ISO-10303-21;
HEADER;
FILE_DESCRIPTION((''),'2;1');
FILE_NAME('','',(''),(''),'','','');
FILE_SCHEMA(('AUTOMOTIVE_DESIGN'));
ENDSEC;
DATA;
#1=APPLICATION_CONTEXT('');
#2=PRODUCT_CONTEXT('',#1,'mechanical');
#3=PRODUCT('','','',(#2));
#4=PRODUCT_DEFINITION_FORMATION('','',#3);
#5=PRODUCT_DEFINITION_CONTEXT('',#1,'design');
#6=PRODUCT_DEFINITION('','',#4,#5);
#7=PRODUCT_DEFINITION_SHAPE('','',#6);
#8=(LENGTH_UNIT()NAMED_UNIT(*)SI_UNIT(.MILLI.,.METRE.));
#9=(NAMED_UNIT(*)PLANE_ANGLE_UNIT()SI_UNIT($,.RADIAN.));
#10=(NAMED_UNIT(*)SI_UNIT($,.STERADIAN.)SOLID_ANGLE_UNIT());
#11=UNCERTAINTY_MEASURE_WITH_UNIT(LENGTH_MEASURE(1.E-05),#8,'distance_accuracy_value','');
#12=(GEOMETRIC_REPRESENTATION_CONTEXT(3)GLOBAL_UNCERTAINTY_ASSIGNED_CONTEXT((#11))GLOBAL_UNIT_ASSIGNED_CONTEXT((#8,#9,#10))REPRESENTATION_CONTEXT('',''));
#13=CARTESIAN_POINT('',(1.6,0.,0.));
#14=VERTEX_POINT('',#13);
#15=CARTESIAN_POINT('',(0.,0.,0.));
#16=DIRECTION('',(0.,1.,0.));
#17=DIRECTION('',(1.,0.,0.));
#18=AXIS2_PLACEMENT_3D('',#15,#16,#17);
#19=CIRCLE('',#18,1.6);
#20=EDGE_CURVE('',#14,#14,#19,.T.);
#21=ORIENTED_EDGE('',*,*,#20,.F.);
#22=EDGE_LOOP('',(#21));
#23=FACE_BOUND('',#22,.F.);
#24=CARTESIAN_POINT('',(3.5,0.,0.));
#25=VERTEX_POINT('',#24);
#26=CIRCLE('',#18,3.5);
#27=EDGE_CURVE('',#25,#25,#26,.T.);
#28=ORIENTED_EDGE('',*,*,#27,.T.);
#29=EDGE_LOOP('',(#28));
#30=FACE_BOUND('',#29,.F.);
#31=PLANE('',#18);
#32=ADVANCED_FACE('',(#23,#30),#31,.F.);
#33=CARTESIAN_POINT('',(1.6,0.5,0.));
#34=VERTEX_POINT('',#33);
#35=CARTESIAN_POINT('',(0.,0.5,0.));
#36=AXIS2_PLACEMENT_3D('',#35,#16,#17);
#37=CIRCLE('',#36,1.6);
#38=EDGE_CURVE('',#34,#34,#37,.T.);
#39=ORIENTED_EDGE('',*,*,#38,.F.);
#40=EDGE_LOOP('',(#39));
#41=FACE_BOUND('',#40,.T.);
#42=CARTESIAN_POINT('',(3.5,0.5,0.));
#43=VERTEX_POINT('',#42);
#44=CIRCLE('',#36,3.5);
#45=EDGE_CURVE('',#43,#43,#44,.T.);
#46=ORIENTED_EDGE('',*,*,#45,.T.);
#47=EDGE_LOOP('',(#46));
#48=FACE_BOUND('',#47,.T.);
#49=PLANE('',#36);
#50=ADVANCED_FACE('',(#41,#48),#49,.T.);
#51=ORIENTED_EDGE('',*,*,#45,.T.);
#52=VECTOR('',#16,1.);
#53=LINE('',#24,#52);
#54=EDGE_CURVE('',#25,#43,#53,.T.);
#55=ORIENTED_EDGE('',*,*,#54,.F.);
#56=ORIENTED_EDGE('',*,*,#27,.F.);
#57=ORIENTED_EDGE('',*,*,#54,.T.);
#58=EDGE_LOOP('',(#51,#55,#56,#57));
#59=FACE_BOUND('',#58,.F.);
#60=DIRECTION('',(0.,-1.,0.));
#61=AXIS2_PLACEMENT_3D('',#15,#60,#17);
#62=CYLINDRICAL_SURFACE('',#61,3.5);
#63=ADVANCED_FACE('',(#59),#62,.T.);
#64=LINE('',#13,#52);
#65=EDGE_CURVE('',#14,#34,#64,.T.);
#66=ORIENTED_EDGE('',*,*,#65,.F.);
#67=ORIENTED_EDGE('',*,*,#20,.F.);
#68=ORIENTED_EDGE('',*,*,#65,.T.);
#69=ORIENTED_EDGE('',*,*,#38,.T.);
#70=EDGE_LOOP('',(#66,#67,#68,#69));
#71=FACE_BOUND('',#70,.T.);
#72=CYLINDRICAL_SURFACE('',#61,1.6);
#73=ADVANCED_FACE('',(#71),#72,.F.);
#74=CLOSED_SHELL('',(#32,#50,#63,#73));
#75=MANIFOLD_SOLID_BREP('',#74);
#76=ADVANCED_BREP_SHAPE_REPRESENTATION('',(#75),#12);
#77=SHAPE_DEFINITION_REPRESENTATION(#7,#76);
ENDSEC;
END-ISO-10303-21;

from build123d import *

# Parameters (mm, degrees)
CROQUIS1_R              = 3.5
CROQUIS1_R_2            = 1.6
SALIENTE_EXTRUIR1_DEPTH = 0.5


with BuildPart() as part:
    # Croquis1 → Saliente-Extruir1 (new body)
    with BuildSketch(Plane(origin=(0, 0, 0), x_dir=(1, 0, 0), z_dir=(0, 1, 0))):
        Circle(CROQUIS1_R)
        Circle(CROQUIS1_R_2, mode=Mode.SUBTRACT)
    extrude(amount=SALIENTE_EXTRUIR1_DEPTH)


solid = part.part
